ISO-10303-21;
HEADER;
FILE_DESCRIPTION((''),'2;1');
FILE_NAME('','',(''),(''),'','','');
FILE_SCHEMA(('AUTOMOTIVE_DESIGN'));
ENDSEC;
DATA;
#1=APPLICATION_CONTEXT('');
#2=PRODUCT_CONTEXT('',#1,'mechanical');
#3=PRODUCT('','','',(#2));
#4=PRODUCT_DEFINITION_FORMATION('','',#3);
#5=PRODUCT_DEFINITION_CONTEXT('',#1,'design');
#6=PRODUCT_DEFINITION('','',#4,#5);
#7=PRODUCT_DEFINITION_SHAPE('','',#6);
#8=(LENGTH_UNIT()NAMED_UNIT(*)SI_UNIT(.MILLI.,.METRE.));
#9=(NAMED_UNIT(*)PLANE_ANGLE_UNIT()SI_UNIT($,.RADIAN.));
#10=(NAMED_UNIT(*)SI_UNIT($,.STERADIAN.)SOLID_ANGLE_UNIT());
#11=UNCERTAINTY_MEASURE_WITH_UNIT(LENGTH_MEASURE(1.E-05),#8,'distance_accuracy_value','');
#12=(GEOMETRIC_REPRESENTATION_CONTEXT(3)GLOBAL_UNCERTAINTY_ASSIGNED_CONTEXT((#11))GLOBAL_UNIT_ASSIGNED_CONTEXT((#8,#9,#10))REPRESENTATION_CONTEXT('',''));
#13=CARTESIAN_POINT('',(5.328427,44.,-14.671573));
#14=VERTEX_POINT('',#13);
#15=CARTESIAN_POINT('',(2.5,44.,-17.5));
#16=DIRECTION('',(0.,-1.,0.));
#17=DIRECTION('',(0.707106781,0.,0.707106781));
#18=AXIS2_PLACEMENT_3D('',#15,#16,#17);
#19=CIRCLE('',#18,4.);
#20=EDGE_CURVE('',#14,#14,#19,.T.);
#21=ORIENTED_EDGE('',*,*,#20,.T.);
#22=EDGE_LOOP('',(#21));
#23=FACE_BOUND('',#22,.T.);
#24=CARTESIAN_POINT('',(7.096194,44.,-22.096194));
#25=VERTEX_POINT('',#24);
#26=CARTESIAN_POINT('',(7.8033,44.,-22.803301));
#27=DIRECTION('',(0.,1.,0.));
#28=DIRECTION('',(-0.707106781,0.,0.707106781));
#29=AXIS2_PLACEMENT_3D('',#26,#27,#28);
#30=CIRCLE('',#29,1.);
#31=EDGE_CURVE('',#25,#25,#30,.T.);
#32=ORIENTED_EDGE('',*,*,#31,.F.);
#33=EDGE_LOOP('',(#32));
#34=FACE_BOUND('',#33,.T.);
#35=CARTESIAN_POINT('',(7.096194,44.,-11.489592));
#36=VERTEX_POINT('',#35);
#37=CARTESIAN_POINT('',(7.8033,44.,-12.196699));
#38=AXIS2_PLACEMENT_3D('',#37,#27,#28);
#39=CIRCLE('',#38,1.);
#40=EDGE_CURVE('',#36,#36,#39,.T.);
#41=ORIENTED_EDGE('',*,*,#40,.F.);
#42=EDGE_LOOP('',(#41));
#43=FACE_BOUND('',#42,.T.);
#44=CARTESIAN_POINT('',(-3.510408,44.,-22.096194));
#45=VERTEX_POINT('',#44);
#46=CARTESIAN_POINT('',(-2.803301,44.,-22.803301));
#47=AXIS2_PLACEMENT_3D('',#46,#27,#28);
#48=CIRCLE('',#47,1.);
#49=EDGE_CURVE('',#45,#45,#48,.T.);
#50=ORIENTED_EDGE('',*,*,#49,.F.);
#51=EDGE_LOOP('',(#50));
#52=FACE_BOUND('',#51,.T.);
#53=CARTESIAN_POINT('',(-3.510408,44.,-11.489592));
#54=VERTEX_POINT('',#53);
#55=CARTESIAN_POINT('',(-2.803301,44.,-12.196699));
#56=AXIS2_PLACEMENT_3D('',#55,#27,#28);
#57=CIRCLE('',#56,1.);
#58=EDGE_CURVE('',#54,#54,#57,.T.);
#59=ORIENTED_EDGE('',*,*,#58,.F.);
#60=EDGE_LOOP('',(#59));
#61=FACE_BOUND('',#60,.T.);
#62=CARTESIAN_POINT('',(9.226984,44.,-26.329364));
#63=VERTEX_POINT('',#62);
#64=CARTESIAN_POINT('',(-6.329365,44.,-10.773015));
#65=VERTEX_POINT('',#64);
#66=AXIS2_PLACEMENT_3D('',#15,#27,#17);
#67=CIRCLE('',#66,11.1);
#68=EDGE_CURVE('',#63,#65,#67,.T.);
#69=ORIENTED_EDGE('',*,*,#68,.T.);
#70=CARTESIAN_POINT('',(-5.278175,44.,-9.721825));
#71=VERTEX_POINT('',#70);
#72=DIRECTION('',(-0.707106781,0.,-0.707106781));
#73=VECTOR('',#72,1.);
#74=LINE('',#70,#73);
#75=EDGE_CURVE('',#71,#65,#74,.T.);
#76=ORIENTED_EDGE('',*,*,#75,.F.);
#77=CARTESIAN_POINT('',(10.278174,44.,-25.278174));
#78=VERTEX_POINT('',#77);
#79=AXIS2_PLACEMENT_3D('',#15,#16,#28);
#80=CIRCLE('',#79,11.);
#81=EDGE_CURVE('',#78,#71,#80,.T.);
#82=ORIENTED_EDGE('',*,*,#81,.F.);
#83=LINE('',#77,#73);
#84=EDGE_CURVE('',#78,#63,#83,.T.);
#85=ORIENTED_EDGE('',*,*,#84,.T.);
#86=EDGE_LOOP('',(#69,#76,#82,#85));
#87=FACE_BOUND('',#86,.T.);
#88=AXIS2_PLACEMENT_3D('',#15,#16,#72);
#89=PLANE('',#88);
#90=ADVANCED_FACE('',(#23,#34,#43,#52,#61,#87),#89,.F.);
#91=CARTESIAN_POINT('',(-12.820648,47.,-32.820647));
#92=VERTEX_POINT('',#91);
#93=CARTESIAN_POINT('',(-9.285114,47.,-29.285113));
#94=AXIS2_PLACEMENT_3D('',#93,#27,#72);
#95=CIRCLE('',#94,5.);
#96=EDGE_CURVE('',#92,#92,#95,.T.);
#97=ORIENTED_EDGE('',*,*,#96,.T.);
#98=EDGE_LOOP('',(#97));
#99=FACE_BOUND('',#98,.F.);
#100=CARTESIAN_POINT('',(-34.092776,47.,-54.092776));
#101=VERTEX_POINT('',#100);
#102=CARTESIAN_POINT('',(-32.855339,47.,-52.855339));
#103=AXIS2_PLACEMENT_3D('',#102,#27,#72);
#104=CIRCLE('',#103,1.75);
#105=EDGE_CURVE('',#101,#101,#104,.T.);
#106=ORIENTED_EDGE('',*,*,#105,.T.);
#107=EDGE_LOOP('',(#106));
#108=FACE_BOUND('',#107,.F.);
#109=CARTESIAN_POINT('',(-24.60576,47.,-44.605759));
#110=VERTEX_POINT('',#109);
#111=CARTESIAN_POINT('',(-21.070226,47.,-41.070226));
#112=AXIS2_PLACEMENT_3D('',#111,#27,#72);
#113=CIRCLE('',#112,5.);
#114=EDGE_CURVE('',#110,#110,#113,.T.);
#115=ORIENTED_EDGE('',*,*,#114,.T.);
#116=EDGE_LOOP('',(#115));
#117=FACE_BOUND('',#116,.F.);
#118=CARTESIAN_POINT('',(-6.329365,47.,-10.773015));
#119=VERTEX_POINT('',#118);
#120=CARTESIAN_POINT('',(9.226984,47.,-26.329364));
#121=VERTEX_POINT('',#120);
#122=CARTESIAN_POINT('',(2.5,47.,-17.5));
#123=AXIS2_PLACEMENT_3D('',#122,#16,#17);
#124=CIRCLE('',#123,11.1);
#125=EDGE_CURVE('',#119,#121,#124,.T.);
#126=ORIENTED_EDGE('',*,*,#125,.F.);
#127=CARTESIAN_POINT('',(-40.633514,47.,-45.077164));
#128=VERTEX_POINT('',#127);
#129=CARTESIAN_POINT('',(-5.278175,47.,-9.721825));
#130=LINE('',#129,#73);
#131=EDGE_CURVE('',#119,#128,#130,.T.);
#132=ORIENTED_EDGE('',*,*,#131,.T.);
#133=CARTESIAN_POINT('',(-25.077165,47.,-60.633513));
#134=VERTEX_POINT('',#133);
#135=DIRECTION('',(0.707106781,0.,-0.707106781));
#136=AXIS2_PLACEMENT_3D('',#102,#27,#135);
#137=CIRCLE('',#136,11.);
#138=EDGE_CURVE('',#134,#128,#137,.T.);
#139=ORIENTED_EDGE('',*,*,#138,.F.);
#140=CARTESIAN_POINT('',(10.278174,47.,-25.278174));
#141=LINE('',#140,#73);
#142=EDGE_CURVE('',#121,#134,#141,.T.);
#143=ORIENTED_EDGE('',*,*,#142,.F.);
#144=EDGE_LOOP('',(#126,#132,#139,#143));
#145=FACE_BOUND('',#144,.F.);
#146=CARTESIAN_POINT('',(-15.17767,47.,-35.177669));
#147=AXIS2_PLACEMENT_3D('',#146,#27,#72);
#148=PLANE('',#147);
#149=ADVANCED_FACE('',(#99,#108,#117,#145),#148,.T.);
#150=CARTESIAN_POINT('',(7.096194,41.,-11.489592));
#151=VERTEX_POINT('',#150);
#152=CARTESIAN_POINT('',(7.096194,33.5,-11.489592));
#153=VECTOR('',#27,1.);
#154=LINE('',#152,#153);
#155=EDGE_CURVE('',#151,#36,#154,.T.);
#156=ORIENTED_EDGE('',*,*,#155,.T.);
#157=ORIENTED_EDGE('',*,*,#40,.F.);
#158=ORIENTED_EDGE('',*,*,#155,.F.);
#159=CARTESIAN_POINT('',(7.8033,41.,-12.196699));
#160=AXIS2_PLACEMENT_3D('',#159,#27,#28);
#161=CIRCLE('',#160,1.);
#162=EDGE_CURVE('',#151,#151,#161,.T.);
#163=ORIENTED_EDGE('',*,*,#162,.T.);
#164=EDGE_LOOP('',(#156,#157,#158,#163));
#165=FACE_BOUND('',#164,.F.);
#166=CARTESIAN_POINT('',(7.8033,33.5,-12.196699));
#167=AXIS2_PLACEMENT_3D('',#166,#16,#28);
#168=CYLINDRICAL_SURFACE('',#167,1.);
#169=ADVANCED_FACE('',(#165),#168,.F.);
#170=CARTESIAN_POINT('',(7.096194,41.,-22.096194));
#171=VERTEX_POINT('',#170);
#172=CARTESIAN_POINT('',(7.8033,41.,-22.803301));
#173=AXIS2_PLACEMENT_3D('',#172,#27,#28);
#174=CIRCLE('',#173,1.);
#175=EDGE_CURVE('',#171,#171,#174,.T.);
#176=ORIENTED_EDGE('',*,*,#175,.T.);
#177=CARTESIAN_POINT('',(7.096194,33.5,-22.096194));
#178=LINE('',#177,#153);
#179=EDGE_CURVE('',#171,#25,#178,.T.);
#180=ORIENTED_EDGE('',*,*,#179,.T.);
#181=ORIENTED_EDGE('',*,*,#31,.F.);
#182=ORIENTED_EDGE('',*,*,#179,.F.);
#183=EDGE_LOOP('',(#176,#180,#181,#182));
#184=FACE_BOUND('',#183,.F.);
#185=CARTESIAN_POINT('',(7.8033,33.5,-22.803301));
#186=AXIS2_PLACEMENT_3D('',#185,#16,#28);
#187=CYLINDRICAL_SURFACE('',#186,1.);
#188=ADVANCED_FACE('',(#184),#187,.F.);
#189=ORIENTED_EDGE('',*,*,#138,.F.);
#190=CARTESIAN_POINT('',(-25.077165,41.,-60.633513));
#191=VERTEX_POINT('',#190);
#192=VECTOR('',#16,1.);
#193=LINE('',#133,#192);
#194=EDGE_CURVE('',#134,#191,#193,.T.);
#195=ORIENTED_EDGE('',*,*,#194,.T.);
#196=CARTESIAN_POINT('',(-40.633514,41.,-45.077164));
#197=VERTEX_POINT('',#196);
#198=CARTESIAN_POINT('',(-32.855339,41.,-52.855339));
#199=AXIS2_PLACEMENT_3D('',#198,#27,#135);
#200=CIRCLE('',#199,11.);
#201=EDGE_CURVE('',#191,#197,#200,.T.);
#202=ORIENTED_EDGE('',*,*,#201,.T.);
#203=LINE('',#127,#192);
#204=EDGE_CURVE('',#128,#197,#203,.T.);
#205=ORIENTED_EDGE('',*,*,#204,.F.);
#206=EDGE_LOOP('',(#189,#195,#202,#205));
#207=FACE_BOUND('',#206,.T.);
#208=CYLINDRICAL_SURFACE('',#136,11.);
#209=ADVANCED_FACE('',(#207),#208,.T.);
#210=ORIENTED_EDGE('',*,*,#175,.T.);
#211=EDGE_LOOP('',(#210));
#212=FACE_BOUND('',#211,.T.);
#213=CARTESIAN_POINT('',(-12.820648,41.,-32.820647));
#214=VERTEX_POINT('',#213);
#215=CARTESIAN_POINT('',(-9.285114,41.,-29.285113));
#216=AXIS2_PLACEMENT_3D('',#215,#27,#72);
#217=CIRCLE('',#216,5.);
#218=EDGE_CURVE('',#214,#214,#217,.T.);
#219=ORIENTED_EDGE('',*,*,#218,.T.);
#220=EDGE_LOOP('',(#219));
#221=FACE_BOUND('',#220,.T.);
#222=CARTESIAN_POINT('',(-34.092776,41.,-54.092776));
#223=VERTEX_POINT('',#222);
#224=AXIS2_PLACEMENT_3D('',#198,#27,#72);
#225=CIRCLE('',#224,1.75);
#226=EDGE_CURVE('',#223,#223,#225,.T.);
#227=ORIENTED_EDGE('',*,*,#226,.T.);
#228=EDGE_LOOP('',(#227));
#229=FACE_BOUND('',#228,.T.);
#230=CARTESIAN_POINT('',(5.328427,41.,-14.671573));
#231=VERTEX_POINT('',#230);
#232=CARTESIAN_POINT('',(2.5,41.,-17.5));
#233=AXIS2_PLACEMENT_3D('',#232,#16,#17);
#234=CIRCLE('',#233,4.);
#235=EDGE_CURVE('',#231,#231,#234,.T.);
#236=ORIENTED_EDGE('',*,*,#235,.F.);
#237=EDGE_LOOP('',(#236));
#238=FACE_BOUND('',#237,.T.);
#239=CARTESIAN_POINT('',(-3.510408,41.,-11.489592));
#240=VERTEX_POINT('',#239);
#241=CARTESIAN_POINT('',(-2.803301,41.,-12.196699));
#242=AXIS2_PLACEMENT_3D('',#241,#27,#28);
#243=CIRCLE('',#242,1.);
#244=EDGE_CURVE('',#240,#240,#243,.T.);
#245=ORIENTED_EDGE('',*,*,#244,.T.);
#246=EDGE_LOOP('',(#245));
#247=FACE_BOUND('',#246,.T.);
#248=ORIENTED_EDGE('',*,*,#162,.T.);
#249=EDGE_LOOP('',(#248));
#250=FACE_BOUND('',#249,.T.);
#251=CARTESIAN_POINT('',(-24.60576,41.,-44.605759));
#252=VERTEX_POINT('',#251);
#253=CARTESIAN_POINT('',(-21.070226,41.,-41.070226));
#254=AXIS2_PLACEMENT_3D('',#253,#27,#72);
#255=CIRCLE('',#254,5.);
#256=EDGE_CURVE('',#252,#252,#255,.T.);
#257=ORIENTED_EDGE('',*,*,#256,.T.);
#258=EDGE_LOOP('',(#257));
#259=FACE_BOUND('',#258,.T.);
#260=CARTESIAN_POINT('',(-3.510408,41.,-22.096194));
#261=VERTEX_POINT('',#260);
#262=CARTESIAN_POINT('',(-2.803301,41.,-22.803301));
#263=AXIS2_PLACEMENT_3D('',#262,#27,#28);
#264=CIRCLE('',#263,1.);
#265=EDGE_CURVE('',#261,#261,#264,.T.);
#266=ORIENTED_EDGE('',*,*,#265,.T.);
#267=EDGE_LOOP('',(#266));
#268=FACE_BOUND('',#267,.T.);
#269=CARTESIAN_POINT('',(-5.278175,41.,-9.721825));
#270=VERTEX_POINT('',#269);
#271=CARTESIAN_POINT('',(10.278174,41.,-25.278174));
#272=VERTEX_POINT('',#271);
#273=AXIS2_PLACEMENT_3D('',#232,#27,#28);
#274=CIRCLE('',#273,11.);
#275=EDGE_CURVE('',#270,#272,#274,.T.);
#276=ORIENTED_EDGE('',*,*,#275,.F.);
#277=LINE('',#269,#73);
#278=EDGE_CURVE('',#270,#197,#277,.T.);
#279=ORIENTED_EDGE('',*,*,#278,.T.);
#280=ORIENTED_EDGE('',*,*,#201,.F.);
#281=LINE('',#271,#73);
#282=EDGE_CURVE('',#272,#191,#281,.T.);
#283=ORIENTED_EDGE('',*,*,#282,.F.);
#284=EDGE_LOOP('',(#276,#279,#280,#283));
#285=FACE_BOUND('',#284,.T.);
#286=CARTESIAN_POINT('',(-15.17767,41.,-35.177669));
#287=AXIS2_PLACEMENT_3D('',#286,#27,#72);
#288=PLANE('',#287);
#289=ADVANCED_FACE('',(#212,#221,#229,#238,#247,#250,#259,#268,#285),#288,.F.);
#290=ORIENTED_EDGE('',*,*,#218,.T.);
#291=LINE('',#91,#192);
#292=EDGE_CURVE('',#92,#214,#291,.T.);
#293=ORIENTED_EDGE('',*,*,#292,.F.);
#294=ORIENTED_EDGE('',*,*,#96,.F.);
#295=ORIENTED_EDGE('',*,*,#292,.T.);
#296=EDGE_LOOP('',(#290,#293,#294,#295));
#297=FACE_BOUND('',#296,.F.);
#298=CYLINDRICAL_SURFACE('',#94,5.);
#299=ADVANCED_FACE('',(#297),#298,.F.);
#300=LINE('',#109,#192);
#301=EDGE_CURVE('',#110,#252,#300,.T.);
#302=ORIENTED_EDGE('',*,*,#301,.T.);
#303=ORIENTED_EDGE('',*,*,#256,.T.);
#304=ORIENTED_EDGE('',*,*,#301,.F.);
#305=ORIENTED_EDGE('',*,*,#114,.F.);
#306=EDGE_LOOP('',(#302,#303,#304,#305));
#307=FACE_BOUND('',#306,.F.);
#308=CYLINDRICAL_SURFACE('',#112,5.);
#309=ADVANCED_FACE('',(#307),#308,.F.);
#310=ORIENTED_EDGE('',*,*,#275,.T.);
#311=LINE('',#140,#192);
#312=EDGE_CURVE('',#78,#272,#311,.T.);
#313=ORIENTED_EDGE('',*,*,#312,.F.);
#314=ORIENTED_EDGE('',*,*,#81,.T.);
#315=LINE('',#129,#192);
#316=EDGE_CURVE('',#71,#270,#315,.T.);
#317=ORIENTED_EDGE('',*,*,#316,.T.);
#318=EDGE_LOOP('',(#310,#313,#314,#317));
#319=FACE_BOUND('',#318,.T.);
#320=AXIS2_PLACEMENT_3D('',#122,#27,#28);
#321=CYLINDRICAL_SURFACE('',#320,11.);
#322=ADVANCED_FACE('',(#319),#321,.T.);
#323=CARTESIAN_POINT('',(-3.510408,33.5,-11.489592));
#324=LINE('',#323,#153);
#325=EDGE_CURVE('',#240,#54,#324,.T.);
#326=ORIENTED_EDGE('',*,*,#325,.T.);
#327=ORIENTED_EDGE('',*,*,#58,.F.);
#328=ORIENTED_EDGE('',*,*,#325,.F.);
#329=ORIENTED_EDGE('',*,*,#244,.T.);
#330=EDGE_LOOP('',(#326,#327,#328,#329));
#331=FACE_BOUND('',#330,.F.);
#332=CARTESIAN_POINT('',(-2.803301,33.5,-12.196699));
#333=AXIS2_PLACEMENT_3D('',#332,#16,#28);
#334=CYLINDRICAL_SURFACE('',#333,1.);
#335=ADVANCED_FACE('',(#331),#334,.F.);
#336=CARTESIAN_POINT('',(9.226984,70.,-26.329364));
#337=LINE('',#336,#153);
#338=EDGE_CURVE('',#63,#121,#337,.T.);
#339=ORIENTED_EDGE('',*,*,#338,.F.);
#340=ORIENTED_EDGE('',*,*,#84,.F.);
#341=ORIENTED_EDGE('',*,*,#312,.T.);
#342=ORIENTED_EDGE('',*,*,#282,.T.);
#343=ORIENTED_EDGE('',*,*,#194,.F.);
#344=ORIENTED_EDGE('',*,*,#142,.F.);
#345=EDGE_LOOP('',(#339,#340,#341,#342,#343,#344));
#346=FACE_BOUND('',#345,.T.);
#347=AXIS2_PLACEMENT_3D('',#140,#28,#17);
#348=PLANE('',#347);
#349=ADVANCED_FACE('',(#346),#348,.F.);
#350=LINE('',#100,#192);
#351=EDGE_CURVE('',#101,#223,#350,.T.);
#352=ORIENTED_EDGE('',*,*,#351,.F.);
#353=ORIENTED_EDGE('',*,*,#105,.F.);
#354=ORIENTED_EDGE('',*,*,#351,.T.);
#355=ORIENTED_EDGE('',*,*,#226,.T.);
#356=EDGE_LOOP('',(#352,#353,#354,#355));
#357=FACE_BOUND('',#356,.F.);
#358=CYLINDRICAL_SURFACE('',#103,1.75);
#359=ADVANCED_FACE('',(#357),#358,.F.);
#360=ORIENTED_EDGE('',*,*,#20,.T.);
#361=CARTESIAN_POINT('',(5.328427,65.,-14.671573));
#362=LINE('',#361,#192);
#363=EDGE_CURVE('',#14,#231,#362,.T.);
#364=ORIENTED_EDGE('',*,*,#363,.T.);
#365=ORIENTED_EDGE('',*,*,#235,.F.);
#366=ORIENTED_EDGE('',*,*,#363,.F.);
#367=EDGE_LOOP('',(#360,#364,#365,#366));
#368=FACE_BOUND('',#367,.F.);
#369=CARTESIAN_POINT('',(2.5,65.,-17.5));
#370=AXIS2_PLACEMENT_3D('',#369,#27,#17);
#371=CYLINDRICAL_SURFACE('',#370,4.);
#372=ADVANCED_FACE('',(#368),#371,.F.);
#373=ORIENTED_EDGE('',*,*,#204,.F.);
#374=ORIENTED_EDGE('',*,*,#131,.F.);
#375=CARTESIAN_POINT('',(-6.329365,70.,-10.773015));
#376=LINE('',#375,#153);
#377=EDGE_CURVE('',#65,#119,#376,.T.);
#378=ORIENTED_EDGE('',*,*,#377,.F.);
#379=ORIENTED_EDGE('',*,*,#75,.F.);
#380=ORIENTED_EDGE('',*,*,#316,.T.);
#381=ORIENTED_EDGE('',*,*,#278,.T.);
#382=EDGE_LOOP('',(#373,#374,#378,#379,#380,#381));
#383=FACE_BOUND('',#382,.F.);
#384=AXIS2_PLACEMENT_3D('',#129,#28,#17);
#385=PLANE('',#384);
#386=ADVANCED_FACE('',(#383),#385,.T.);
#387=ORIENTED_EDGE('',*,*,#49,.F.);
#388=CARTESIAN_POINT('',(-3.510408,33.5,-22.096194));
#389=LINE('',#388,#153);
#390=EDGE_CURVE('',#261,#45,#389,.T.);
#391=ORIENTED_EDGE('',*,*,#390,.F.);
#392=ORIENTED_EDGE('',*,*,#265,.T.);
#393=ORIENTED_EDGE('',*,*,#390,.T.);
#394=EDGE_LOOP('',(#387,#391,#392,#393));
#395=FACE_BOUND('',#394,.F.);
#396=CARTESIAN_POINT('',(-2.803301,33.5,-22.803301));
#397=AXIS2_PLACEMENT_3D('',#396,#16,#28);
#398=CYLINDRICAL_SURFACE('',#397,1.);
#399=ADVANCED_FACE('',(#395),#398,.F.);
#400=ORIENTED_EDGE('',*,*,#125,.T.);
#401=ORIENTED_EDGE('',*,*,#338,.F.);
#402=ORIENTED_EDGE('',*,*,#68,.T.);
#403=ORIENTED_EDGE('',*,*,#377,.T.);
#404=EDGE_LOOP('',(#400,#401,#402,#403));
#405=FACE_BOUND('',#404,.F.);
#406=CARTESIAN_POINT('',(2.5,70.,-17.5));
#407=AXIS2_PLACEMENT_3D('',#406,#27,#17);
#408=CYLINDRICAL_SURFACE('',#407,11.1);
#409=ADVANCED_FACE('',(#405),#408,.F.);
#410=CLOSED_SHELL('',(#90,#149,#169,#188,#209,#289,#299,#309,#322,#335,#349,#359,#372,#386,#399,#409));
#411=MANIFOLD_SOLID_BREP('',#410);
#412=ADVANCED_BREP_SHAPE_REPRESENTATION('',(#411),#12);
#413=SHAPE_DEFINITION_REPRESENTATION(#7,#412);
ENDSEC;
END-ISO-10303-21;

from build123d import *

# Parameters (mm, degrees)
CYLINDER020_R             = 11.1
CYLINDER020_DEPTH         = 26
CYLINDER019_R             = 4
CYLINDER019_DEPTH         = 43
CYLINDER021_R             = 1
CYLINDER021_DEPTH         = 31
CYLINDER024_R             = 1
CYLINDER024_DEPTH         = 31
CYLINDER023_R             = 1
CYLINDER023_DEPTH         = 31
CYLINDER022_R             = 1
CYLINDER022_DEPTH         = 31
FUSION002_ROLL_ANGLE      = -90
FUSION003_PLACEMENT_ANGLE = 180
SKETCH_R                  = 5
SKETCH_R_2                = 1.75
PAD_DEPTH                 = 6
CUT_PITCH_ANGLE           = 90
CLONE019_PITCH_ANGLE      = -45


with BuildPart() as cylinder141:
    # Cylinder020 → Cylinder020 (new body)
    with BuildSketch(Plane(origin=(-3, 71, 73), x_dir=(0, 0, 1), z_dir=(0, -1, 0))):
        Circle(CYLINDER020_R)
    extrude(amount=CYLINDER020_DEPTH)


with BuildPart() as fusion001:
    # Cylinder019 → Cylinder019 (new body)
    with BuildSketch(Plane(origin=(-3, 66, 73), x_dir=(0, 0, 1), z_dir=(0, -1, 0))):
        Circle(CYLINDER019_R)
    extrude(amount=CYLINDER019_DEPTH)

    # Fusion001: union Cylinder141
    add(cylinder141.part)


with BuildPart() as cylinder096:
    # Cylinder021 → Cylinder021 (new body)
    with BuildSketch(Plane(origin=(-7.5, -11, 132), x_dir=(1, 0, 0), z_dir=(0, 0, 1))):
        Circle(CYLINDER021_R)
    extrude(amount=CYLINDER021_DEPTH)


with BuildPart() as cylinder146:
    # Cylinder024 → Cylinder024 (new body)
    with BuildSketch(Plane(origin=(0, -3.5, 132), x_dir=(1, 0, 0), z_dir=(0, 0, 1))):
        Circle(CYLINDER024_R)
    extrude(amount=CYLINDER024_DEPTH)


with BuildPart() as cylinder145:
    # Cylinder023 → Cylinder023 (new body)
    with BuildSketch(Plane(origin=(7.5, -11, 132), x_dir=(1, 0, 0), z_dir=(0, 0, 1))):
        Circle(CYLINDER023_R)
    extrude(amount=CYLINDER023_DEPTH)


with BuildPart() as fusion003:
    # Cylinder022 → Cylinder022 (new body)
    with BuildSketch(Plane(origin=(0, -18.5, 132), x_dir=(1, 0, 0), z_dir=(0, 0, 1))):
        Circle(CYLINDER022_R)
    extrude(amount=CYLINDER022_DEPTH)

    # Fusion002: union Cylinder096, Cylinder146, Cylinder145
    add(cylinder096.part)
    add(cylinder146.part)
    add(cylinder145.part)


with BuildPart() as fusion003_1:
    # Fusion002 roll: moved
    add(fusion003.part.rotate(Axis((0, 0, 0), (1, 0, 0)), FUSION002_ROLL_ANGLE))


with BuildPart() as fusion003_2:
    # Fusion002 placement: moved
    add(fusion003_1.part.moved(Location((-3, -97.5, 62))))

    # Fusion003: union Fusion001
    add(fusion001.part)


with BuildPart() as fusion003_3:
    # Fusion003 placement: moved
    add(fusion003_2.part.moved(Location((-0.5, 88, -87))).rotate(Axis((-0.5, 88, -87), (0, 0, 1)), FUSION003_PLACEMENT_ANGLE))


with BuildPart() as cut:
    # Sketch → Pad (new body)
    with BuildSketch(Plane(origin=(-11.5, 40, -16.5), x_dir=(0, 0, -1), z_dir=(0, 1, 0))):
        with BuildLine():
            Line((-2.5, -3), (47.5, -3))
            ThreePointArc((47.5, -25), (58.5, -14), (47.5, -3))
            Line((-2.5, -25), (47.5, -25))
            ThreePointArc((-2.5, -3), (-13.5, -14), (-2.5, -25))
        make_face()
        with Locations((14.166667, -14)):
            Circle(SKETCH_R, mode=Mode.SUBTRACT)
        with Locations((30.833333, -14)):
            Circle(SKETCH_R, mode=Mode.SUBTRACT)
        with Locations((47.5, -14)):
            Circle(SKETCH_R_2, mode=Mode.SUBTRACT)
    extrude(amount=PAD_DEPTH)

    # Cut: cut Fusion003
    add(fusion003_3.part, mode=Mode.SUBTRACT)


with BuildPart() as cut_1:
    # Cut pitch: moved
    add(cut.part.rotate(Axis((0, 0, 0), (0, 1, 0)), CUT_PITCH_ANGLE))


with BuildPart() as cut_2:
    # Cut placement: moved
    add(cut_1.part.moved(Location((16.5, -87, -15))))


with BuildPart() as clone019:
    # Part__Mirroring029: instance of Cut
    add(cut_2.part.mirror(Plane(origin=(0, 0, 0), x_dir=(1, 0, 0), z_dir=(0, 1, 0))))


with BuildPart() as clone019_1:
    # Clone019 pitch: moved
    add(clone019.part.rotate(Axis((0, 0, 0), (0, 1, 0)), CLONE019_PITCH_ANGLE))


with BuildPart() as clone019_2:
    # Clone019 placement: moved
    add(clone019_1.part.moved(Location((-11.642136, 0, -6.893398))))


solid = clone019_2.part
